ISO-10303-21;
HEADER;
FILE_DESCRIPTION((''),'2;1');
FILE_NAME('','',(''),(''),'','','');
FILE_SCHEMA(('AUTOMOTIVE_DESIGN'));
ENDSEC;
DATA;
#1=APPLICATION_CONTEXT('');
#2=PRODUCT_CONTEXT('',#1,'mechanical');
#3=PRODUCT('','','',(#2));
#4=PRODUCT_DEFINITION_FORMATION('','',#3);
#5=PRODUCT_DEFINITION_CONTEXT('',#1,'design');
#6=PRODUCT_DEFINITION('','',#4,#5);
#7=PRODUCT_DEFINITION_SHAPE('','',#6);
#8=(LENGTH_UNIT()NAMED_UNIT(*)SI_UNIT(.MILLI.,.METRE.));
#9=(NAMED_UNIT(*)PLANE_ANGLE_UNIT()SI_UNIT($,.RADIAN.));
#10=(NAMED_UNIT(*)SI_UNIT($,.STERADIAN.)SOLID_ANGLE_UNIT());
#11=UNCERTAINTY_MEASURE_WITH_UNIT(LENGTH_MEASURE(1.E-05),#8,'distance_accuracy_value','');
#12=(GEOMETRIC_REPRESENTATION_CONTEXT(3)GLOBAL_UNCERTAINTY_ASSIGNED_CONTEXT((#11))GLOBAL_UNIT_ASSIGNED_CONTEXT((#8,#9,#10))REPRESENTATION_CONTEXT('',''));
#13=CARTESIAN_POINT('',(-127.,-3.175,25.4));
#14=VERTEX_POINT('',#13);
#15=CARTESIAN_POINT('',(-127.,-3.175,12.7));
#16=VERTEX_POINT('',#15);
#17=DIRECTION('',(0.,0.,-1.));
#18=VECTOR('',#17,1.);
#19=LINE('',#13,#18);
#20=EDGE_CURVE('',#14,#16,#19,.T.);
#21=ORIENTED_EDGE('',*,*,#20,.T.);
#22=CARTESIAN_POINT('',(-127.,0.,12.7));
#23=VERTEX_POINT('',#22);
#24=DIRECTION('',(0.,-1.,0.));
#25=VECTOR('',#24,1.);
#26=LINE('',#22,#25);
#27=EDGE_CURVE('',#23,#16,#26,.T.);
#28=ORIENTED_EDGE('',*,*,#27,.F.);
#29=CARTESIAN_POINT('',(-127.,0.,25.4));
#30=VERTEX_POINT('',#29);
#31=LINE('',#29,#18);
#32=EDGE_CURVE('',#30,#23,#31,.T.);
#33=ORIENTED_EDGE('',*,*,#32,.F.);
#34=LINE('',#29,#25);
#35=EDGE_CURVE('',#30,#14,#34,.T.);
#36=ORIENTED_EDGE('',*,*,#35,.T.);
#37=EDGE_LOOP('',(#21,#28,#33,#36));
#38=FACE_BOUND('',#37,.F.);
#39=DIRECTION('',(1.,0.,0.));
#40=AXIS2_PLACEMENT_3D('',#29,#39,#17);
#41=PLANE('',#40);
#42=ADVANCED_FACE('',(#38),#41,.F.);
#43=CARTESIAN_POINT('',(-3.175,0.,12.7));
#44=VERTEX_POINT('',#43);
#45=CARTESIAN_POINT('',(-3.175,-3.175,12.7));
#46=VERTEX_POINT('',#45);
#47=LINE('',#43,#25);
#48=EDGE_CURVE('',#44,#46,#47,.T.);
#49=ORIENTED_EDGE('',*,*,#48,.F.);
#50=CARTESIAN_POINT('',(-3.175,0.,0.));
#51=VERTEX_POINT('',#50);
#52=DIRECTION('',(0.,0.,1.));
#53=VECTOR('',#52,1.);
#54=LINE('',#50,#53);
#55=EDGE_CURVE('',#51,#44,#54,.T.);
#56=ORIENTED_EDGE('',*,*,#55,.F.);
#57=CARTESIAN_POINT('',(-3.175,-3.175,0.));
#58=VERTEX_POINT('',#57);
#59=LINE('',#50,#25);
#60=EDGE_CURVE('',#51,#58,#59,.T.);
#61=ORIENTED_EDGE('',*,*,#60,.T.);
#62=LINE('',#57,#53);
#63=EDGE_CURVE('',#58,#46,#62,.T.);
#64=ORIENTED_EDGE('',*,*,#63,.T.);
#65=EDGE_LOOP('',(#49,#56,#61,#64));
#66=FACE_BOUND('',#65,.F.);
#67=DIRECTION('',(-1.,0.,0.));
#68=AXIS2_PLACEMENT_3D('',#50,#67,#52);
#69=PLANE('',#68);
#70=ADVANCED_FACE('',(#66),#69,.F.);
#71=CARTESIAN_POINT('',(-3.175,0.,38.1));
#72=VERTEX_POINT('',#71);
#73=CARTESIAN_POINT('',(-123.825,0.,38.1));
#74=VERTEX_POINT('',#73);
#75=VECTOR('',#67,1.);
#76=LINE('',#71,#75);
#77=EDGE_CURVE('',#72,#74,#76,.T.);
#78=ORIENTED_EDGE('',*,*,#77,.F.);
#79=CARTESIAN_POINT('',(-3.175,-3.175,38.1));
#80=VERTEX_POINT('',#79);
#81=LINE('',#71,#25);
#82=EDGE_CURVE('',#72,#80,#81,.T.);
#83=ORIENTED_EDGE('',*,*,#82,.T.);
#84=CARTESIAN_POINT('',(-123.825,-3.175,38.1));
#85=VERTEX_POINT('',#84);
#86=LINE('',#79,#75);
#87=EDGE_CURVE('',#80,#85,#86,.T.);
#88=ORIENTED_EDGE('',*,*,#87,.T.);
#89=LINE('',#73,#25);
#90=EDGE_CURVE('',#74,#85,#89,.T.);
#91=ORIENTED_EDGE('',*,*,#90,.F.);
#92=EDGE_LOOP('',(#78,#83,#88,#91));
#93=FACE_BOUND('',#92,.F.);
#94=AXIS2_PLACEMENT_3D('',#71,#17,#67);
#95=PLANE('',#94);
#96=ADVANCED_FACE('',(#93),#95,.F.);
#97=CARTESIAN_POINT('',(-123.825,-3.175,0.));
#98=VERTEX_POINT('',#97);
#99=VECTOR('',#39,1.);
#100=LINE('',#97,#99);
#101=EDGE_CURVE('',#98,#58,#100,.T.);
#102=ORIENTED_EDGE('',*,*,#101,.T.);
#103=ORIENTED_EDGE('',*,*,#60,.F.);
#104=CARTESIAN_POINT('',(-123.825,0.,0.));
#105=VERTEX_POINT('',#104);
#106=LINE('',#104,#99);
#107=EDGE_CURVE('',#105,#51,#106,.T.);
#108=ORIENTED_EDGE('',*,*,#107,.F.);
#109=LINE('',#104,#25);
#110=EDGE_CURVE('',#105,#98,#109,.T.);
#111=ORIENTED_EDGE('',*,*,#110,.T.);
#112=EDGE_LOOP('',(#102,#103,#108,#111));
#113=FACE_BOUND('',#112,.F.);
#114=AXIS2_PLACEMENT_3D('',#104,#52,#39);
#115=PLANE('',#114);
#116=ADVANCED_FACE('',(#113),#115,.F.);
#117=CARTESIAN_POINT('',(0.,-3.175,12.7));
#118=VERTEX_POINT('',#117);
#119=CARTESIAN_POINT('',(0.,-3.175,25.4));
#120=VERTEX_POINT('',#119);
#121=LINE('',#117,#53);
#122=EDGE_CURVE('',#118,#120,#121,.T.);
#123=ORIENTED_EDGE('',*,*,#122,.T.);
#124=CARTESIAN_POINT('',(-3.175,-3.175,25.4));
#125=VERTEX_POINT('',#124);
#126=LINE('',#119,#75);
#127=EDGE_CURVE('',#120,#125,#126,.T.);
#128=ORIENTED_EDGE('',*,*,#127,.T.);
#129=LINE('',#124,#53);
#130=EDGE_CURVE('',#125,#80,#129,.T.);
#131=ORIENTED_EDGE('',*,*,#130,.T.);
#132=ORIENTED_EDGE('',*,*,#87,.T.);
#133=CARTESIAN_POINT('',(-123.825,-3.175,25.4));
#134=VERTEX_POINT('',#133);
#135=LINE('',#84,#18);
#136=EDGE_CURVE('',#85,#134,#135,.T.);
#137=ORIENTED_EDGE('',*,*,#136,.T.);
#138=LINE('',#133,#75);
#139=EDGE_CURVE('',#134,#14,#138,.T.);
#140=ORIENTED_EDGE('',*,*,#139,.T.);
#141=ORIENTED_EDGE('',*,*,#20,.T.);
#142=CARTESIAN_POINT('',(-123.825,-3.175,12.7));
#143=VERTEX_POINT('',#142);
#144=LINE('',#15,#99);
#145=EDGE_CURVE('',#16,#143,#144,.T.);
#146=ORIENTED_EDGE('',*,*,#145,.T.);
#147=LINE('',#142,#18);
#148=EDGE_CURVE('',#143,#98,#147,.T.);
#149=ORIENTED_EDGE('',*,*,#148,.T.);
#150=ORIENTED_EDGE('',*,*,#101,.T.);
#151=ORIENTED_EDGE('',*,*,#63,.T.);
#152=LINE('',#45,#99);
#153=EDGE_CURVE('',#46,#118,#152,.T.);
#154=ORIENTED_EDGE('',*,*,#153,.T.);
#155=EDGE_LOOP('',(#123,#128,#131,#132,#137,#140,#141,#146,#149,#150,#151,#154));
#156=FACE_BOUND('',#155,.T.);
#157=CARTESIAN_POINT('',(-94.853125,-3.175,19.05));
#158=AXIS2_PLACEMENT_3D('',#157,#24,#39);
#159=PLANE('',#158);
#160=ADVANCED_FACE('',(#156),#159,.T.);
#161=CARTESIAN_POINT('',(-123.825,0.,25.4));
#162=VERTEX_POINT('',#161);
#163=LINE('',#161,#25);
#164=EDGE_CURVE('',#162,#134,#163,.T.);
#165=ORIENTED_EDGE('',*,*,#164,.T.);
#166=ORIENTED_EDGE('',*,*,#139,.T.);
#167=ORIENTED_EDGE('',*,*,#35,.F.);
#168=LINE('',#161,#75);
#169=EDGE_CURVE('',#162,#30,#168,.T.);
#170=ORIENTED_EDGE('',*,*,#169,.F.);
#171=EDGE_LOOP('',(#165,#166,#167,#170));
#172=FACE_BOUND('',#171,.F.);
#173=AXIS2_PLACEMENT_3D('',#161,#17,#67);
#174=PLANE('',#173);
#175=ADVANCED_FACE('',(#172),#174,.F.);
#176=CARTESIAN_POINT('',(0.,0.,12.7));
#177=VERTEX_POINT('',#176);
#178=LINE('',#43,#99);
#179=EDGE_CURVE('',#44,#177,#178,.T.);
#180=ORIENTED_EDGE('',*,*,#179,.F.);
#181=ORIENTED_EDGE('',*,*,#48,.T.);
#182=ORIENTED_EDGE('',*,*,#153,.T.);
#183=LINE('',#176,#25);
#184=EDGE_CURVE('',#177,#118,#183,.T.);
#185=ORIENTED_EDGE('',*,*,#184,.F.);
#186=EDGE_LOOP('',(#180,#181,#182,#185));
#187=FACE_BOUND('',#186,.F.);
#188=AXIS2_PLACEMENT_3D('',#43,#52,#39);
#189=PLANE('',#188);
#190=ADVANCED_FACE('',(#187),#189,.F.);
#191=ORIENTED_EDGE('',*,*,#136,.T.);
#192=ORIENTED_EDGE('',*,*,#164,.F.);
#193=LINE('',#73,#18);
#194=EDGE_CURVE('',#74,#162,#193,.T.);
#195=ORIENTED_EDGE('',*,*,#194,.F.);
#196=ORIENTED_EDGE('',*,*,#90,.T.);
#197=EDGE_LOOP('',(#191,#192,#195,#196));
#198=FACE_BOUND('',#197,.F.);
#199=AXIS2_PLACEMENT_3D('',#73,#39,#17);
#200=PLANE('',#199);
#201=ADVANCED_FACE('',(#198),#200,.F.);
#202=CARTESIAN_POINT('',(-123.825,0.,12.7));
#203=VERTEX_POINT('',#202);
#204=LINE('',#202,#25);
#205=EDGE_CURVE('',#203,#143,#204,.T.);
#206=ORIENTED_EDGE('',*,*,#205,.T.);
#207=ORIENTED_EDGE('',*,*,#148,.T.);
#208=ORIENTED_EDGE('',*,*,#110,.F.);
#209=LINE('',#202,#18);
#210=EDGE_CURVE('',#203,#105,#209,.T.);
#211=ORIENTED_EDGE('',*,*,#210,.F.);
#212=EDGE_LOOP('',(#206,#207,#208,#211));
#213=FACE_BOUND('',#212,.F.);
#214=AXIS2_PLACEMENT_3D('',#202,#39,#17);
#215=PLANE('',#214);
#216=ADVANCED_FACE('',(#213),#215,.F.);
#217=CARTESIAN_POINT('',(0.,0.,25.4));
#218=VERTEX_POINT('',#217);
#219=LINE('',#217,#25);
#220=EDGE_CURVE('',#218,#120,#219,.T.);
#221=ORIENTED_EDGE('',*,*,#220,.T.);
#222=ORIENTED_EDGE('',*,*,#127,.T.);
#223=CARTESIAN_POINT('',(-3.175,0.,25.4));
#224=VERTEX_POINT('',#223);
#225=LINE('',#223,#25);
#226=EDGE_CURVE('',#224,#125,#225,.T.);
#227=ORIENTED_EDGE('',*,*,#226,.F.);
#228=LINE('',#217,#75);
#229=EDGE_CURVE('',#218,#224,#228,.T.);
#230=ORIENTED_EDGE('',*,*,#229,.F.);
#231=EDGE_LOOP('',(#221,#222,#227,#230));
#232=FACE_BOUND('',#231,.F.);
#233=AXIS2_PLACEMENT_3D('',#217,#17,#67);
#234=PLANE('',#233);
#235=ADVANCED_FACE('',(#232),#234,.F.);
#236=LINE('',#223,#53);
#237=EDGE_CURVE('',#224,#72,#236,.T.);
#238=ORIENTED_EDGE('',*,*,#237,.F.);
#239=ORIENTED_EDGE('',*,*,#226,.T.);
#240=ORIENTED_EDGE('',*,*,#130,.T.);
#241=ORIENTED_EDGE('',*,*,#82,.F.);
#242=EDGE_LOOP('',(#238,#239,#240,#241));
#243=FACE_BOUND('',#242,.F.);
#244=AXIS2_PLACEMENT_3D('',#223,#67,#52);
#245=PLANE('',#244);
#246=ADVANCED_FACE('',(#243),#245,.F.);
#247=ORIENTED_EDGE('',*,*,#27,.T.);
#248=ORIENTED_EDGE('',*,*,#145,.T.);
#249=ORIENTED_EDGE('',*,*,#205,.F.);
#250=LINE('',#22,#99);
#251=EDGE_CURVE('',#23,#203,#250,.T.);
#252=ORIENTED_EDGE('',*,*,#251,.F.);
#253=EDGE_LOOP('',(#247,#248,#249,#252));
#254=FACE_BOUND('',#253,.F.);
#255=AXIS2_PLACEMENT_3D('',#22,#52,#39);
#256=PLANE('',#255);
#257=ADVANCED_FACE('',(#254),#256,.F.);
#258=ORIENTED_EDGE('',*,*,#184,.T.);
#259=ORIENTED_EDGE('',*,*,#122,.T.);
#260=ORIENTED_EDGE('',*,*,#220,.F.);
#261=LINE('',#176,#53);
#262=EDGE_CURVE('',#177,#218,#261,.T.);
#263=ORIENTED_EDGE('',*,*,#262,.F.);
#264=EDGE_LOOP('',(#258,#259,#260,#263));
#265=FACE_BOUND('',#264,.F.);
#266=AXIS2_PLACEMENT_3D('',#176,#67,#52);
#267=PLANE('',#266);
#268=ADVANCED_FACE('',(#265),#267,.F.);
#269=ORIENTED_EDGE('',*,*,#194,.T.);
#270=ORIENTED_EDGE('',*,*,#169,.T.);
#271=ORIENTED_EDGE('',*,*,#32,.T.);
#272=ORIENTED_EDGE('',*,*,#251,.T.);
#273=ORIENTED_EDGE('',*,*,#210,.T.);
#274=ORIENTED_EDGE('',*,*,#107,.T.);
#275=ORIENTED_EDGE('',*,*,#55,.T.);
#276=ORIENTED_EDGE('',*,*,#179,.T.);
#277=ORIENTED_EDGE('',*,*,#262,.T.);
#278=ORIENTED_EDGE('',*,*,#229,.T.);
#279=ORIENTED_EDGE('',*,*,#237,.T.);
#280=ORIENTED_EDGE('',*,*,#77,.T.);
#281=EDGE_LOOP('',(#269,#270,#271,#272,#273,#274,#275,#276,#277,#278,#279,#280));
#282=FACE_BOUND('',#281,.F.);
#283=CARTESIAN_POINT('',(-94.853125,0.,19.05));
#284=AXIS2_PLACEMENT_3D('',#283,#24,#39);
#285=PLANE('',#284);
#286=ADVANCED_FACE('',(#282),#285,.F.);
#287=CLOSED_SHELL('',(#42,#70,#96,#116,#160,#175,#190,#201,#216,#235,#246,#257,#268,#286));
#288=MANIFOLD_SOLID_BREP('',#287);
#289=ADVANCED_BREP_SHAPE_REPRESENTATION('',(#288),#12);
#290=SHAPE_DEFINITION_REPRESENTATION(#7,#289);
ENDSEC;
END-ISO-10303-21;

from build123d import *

# Parameters (mm, degrees)
F1_DEPTH = 3.175
F0_W     = 3.175
F0_H     = 12.7
F2_DEPTH = 25.4


with BuildPart() as f1:
    # F0 (on Front) → F1 (new body)
    with BuildSketch(Plane.XZ):
        Polygon((-123.825, 0), (-63.5, 0), (-63.5, 38.1), (-123.825, 38.1), (-123.825, 25.4), (-127, 25.4), (-127, 12.7), (-123.825, 12.7), align=None)
        Polygon((-63.5, 0), (-3.175, 0), (-3.175, 12.7), (0, 12.7), (0, 25.4), (-3.175, 25.4), (-3.175, 38.1), (-63.5, 38.1), align=None)
    extrude(amount=F1_DEPTH)

    # F0 (on Front) → F2 (cut)
    with BuildSketch(Plane.XZ):
        with Locations((-125.4125, 6.35)):
            Rectangle(F0_W, F0_H)
        with Locations((-125.4125, 31.75)):
            Rectangle(F0_W, F0_H)
        with Locations((-1.5875, 31.75)):
            Rectangle(F0_W, F0_H)
        with Locations((-1.5875, 6.35)):
            Rectangle(F0_W, F0_H)
    extrude(amount=-F2_DEPTH, mode=Mode.SUBTRACT)


solid = f1.part
